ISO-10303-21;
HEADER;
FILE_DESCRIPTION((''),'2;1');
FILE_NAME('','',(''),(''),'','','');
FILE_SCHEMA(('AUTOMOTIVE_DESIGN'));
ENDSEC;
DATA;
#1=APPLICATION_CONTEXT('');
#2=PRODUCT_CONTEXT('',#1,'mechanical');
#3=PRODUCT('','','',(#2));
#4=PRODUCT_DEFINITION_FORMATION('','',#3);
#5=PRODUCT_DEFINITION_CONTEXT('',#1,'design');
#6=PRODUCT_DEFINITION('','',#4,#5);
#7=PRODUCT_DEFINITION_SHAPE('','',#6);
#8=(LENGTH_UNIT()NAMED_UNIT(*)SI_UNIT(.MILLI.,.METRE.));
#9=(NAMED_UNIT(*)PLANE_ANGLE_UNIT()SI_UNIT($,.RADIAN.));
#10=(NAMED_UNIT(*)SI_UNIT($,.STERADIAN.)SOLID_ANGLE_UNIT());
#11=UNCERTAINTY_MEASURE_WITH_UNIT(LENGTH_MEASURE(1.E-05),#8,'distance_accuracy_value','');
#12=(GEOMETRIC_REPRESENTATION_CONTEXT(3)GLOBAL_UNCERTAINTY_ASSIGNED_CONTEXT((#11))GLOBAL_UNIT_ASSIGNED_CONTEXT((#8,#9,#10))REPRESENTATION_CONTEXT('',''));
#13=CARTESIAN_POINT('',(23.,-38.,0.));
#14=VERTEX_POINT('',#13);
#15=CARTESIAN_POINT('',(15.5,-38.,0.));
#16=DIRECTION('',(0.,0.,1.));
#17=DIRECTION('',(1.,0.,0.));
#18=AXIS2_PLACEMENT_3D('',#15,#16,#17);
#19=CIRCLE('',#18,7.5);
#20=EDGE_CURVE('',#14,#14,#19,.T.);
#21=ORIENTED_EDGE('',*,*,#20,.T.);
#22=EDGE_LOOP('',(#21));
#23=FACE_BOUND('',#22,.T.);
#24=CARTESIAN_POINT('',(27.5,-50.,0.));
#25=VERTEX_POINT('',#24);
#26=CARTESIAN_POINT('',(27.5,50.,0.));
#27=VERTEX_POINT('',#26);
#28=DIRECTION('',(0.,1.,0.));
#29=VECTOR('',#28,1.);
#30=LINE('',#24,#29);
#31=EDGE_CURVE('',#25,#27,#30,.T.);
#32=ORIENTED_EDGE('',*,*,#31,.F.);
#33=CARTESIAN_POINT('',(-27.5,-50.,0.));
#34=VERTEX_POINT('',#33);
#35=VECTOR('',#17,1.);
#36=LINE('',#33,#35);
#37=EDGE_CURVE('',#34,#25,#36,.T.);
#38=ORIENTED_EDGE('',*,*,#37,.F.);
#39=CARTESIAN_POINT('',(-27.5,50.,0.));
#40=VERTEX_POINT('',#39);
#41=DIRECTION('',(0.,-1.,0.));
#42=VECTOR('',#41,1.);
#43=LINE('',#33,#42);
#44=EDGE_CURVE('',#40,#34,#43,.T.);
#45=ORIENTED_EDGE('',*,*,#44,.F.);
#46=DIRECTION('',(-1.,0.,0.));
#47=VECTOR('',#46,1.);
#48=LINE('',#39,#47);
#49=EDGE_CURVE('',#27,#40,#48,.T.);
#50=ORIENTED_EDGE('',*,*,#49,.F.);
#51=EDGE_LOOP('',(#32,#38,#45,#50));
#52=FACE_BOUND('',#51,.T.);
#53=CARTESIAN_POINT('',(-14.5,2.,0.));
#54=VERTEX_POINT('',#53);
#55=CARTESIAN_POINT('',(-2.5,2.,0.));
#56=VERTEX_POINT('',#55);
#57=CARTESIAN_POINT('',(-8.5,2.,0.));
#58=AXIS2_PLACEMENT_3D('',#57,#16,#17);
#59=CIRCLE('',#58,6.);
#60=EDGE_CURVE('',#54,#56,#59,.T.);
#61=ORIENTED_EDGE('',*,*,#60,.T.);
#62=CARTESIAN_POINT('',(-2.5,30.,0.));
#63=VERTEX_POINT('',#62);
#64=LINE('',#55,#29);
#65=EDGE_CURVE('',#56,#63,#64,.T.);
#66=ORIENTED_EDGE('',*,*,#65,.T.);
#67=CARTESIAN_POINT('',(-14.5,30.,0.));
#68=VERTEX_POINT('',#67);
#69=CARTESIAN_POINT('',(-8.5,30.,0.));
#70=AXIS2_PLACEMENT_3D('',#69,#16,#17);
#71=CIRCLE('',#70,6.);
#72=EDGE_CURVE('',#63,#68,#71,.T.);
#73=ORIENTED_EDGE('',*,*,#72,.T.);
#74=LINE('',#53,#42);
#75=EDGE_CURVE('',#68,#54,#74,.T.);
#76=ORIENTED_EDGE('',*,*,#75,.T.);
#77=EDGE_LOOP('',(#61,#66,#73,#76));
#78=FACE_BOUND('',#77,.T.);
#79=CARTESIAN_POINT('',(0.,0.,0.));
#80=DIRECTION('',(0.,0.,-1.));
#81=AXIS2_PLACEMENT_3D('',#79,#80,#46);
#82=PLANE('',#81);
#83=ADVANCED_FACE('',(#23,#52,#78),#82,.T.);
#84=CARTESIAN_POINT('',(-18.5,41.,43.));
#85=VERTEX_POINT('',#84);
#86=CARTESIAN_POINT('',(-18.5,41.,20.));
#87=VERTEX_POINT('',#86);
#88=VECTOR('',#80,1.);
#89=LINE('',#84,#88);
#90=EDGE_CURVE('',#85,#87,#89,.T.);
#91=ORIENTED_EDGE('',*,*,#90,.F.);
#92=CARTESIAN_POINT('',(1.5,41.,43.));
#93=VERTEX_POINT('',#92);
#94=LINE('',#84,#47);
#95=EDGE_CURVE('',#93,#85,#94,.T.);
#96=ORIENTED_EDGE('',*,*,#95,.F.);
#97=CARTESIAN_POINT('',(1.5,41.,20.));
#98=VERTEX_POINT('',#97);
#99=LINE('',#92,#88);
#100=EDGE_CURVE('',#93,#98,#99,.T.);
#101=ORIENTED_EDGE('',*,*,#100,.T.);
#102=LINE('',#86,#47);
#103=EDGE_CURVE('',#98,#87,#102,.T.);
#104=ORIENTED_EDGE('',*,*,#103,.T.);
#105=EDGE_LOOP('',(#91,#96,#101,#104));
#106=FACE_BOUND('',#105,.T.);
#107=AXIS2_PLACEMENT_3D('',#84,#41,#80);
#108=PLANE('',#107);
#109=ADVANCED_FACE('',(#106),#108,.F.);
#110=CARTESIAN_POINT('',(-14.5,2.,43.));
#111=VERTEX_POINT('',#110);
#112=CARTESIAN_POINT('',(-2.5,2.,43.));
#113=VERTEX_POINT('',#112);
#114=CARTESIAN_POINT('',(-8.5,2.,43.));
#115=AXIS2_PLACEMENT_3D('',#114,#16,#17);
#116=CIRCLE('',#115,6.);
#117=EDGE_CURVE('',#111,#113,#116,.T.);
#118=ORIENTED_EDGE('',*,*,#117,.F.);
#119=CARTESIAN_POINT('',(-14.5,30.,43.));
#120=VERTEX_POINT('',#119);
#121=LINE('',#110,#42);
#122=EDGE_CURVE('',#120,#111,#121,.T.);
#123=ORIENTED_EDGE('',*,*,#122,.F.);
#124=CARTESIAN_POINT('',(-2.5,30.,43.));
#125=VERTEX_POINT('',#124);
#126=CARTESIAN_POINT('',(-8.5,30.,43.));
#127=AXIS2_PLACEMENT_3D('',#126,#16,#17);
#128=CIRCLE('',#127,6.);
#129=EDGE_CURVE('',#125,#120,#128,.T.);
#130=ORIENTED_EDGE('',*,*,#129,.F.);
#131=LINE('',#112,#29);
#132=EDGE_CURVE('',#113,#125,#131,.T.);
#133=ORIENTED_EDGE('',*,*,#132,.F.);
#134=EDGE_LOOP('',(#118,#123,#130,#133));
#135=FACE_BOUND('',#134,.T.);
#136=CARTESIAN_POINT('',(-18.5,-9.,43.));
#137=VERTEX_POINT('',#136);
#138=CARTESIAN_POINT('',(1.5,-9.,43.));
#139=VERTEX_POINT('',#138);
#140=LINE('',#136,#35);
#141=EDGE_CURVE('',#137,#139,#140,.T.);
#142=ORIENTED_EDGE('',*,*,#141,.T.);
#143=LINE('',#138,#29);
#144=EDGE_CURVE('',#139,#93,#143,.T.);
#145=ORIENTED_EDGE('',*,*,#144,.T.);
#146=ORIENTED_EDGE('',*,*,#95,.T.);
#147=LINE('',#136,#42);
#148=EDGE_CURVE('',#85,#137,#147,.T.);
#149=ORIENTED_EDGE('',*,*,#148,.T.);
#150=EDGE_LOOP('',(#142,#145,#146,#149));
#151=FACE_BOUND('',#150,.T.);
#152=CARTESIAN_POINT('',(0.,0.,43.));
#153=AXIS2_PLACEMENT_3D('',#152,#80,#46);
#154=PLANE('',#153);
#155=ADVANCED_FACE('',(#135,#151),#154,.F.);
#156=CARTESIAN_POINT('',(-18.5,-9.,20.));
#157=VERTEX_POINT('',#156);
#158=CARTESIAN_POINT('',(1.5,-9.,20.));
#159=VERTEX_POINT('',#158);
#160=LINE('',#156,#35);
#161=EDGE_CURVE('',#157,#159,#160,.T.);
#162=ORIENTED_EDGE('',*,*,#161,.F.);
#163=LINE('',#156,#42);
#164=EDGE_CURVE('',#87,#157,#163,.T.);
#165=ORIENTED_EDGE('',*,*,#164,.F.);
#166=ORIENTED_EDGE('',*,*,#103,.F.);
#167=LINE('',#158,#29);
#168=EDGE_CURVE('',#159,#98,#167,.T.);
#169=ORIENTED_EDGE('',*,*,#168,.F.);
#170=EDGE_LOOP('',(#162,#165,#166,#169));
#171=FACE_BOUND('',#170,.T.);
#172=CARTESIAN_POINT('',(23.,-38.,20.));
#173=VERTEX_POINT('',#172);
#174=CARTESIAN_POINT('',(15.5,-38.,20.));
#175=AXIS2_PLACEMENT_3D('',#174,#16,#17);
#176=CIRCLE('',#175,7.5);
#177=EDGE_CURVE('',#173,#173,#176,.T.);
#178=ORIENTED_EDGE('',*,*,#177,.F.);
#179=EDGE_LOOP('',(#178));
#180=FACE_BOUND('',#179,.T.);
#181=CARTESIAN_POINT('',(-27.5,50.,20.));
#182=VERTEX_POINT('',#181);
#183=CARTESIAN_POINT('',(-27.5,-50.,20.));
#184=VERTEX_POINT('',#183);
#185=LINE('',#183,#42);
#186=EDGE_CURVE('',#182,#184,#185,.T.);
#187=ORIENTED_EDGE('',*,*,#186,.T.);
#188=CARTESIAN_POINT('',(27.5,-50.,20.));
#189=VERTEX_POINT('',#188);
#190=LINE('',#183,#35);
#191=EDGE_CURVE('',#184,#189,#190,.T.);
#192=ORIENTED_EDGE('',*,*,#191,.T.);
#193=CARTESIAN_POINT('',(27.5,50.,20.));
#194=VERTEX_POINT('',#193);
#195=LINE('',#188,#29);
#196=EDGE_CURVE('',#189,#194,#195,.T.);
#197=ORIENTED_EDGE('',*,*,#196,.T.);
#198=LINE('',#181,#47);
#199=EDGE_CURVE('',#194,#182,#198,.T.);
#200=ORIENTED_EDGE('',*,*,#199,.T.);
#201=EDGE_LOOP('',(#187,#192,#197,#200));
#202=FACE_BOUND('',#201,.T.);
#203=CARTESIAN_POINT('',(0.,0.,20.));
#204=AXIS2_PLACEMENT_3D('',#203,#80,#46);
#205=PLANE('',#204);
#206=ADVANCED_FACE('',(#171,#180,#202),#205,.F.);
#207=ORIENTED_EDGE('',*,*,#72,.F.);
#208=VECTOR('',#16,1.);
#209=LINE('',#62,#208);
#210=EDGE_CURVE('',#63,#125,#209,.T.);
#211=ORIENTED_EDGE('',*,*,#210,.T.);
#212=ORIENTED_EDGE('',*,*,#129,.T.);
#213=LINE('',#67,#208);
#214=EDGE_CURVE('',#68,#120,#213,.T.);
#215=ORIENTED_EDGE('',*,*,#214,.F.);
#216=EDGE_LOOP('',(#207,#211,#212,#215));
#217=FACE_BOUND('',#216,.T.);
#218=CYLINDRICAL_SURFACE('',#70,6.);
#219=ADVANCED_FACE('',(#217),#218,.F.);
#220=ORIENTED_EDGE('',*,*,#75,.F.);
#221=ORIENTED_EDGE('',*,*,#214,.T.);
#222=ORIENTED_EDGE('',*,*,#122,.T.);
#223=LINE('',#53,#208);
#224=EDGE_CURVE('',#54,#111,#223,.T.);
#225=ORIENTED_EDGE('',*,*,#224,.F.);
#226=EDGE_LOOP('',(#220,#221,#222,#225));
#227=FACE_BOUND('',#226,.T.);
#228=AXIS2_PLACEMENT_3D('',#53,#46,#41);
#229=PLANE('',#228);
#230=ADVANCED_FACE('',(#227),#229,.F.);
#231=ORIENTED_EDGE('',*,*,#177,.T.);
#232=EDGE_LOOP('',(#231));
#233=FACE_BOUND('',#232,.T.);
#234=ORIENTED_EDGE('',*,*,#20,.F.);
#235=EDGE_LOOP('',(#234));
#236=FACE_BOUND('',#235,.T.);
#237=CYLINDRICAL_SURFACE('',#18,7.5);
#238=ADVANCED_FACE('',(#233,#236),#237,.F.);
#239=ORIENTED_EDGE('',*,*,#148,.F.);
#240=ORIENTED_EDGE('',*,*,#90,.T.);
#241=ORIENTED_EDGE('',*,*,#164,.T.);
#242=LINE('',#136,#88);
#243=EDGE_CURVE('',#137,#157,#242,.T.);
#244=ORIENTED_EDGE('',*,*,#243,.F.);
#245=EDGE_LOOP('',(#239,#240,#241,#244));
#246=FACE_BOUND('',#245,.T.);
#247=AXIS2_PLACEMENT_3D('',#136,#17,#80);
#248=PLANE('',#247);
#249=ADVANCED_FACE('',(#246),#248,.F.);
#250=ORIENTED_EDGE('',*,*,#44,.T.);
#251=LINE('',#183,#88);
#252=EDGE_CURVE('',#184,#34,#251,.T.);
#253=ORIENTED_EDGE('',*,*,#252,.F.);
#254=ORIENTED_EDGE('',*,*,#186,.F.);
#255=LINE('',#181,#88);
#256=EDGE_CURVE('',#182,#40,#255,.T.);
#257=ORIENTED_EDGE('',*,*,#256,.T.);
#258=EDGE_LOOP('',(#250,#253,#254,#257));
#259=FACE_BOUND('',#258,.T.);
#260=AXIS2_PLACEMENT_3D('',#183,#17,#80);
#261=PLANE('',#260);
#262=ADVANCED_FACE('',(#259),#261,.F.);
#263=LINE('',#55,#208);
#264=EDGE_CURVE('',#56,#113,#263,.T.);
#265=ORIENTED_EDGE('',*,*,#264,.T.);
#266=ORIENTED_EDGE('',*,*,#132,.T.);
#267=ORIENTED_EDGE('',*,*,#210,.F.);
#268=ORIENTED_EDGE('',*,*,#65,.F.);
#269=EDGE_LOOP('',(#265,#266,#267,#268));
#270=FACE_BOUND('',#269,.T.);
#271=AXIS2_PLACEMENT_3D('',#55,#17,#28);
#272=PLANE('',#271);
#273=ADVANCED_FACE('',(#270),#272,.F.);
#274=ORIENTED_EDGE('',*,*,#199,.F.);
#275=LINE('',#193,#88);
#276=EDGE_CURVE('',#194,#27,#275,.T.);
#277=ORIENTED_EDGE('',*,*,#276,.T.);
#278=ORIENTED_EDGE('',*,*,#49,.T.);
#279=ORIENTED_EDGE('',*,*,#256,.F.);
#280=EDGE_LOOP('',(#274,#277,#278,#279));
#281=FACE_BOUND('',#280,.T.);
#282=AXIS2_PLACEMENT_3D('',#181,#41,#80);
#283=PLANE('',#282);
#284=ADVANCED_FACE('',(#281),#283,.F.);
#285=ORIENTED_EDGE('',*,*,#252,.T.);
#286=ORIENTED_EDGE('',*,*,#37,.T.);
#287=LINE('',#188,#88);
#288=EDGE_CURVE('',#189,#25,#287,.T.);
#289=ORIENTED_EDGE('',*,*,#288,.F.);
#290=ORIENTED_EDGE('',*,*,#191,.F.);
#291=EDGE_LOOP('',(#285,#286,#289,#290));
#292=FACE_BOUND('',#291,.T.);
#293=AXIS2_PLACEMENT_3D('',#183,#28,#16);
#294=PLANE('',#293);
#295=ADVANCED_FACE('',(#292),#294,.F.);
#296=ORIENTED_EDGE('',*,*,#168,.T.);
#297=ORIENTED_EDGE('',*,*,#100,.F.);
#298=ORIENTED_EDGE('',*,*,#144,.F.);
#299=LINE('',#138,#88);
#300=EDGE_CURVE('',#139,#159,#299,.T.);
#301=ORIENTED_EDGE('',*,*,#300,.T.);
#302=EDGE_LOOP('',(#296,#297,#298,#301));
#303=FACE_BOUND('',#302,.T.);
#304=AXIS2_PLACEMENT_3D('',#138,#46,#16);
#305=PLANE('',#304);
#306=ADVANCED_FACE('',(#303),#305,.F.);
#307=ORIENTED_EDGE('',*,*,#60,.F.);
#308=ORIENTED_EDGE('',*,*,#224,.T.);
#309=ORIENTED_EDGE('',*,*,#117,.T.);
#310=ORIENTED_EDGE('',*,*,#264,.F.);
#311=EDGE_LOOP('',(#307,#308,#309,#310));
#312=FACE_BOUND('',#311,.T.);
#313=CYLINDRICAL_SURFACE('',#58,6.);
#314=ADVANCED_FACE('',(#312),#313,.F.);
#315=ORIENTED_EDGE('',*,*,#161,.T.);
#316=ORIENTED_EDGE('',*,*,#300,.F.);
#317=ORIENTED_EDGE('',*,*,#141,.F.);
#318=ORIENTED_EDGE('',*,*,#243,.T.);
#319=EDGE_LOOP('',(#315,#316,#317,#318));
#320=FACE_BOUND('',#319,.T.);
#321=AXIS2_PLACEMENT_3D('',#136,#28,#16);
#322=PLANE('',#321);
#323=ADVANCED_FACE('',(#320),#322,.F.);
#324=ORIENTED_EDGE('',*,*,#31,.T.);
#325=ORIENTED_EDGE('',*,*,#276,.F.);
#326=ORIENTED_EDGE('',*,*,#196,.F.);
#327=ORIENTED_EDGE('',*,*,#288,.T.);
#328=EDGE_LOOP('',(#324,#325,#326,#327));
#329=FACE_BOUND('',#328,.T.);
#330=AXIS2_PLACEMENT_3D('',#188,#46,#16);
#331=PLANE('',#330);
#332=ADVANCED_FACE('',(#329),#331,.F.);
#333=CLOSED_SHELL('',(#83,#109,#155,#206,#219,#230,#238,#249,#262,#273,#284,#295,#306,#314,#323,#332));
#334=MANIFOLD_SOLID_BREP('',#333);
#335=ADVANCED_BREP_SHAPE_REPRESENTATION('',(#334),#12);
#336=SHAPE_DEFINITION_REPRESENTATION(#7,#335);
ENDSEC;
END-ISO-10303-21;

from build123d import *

# Parameters (mm, degrees)
SKETCH_1_W          = 55
SKETCH_1_H          = 100
EXTRUDE_1_DEPTH     = 20
SKETCH_2_R          = 7.5
CUT_EXTRUDE_1_DEPTH = 61.466933112
SKETCH_3_W          = 20
SKETCH_3_H          = 50
EXTRUDE_2_DEPTH     = 23
CUT_EXTRUDE_2_DEPTH = 72.451032183


with BuildPart() as part:
    # Эскиз1 → Бобышка-Вытянуть1 (new body)
    with BuildSketch(Plane.XY):
        Rectangle(SKETCH_1_W, SKETCH_1_H)
    extrude(amount=EXTRUDE_1_DEPTH)

    # Эскиз2 → Вырез-Вытянуть1 (cut, through all)
    with BuildSketch(Plane.XY.offset(20)):
        with Locations((15.5, -38)):
            Circle(SKETCH_2_R)
    extrude(amount=-CUT_EXTRUDE_1_DEPTH, mode=Mode.SUBTRACT)

    # Эскиз3 → Бобышка-Вытянуть2 (add)
    with BuildSketch(Plane.XY.offset(20)):
        with Locations((-8.5, 16)):
            Rectangle(SKETCH_3_W, SKETCH_3_H)
    extrude(amount=EXTRUDE_2_DEPTH)

    # Эскиз4 → Вырез-Вытянуть2 (cut, through all)
    with BuildSketch(Plane.XY.offset(43)):
        with BuildLine():
            Line((-14.5, 2), (-14.5, 30))
            ThreePointArc((-14.5, 30), (-8.5, 36), (-2.5, 30))
            Line((-2.5, 30), (-2.5, 2))
            ThreePointArc((-2.5, 2), (-8.5, -4), (-14.5, 2))
        make_face()
    extrude(amount=-CUT_EXTRUDE_2_DEPTH, mode=Mode.SUBTRACT)


solid = part.part
